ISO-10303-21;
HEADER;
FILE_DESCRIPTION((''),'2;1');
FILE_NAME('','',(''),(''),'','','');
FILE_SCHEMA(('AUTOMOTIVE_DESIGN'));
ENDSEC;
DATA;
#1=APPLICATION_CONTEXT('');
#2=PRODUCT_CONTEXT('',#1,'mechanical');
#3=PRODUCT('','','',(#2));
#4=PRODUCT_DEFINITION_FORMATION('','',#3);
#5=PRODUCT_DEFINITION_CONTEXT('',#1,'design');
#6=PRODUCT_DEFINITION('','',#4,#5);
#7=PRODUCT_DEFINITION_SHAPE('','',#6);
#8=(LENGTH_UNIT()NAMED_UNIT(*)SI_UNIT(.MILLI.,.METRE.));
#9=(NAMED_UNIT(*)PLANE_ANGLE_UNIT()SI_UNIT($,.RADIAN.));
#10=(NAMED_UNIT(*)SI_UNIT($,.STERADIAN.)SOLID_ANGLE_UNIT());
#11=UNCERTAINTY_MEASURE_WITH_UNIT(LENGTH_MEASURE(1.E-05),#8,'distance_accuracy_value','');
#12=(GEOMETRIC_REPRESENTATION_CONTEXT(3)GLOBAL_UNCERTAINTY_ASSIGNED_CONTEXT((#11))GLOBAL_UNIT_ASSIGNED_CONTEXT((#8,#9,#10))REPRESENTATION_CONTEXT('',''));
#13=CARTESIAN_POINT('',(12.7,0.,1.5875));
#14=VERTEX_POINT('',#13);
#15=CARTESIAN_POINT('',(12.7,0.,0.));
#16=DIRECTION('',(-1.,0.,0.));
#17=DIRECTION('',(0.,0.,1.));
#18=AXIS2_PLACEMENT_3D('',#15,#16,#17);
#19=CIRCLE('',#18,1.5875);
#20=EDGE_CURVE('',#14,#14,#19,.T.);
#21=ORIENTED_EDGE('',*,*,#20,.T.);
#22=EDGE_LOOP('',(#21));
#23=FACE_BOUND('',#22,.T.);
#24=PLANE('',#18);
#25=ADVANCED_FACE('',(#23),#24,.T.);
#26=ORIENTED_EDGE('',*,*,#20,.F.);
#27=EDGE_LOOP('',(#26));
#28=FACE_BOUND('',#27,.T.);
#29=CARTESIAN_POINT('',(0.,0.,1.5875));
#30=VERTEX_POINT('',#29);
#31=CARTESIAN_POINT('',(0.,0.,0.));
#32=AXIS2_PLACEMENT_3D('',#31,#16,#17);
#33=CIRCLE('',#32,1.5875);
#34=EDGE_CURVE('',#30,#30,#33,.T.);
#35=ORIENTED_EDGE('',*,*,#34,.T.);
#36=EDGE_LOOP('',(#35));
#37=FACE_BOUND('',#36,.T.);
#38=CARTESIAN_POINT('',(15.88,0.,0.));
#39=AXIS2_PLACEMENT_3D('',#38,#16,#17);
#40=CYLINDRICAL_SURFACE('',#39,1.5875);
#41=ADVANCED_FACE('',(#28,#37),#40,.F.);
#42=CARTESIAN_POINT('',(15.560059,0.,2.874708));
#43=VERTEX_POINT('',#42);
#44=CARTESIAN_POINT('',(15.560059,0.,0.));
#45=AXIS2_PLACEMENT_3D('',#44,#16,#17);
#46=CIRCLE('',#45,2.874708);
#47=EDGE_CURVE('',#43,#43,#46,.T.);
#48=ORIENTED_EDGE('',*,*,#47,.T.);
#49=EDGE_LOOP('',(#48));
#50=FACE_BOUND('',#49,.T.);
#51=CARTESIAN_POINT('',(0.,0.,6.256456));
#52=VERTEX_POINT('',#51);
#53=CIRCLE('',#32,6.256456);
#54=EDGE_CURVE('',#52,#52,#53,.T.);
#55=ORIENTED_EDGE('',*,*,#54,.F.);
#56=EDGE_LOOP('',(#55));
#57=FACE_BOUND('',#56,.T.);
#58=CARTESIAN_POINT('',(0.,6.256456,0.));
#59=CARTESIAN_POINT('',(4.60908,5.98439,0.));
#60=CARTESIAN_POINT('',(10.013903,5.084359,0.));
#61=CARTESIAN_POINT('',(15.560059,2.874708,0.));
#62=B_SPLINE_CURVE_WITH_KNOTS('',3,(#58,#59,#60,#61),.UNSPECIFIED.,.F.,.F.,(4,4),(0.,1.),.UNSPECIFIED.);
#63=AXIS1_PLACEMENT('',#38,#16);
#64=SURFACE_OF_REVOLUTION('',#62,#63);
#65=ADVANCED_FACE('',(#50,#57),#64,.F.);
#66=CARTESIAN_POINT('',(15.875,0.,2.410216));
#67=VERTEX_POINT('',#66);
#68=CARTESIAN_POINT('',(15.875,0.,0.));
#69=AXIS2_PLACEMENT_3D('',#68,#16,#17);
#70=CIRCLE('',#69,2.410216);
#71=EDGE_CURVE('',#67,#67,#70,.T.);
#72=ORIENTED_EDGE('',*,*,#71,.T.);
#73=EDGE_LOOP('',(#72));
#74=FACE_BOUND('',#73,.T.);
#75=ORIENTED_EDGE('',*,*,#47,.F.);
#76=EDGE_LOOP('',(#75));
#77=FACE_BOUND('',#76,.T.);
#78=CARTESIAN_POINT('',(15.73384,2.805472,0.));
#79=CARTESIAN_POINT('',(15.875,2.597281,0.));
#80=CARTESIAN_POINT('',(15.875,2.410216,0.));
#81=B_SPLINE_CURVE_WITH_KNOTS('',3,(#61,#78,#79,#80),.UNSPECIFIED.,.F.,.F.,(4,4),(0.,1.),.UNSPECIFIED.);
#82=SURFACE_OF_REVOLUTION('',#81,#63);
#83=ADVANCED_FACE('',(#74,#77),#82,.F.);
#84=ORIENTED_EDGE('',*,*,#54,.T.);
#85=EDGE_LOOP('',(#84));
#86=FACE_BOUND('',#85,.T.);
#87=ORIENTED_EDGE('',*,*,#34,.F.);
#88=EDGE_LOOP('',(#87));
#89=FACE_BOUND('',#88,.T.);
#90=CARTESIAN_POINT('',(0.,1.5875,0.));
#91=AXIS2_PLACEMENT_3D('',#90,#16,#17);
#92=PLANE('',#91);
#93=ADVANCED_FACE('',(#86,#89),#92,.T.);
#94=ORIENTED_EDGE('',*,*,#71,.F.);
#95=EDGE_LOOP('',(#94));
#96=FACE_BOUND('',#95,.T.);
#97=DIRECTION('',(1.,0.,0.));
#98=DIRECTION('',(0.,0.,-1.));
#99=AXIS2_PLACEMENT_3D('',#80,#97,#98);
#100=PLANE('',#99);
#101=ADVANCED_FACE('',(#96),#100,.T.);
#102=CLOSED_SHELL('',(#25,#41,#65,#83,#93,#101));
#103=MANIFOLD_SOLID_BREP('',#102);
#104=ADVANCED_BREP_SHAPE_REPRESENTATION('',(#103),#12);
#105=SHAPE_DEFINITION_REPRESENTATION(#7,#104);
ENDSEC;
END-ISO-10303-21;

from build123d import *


with BuildPart() as part:
    # Esboço1 → Revolução1 (revolve)
    with BuildSketch(Plane(origin=(0, 0, 0), x_dir=(-1, 0, 0), z_dir=(0, 0, -1)), mode=Mode.PRIVATE) as revolu_o1_sk:
        with BuildLine():
            Line((-15.875, 2.410215906), (-15.875, 0))
            Line((-15.875, 0), (-12.7, 0))
            Line((-12.7, 0), (-12.7, 1.5875))
            Line((-12.7, 1.5875), (-1.7e-08, 1.5875))
            Line((-1.7e-08, 1.5875), (-1.7e-08, 6.256455548))
            add(Edge.make_bspline(
                [(-1.7e-08, 6.256455548), (-4.609079606, 5.984390164), (-10.013903274, 5.084359418), (-15.560059016, 2.874708285)],
                knots=[0, 0, 0, 0, 1, 1, 1, 1], degree=3))
            add(Edge.make_bspline(
                [(-15.875, 2.410215906), (-15.875000006, 2.597281252), (-15.733839869, 2.80547203), (-15.560059016, 2.874708285)],
                knots=[0, 0, 0, 0, 1, 1, 1, 1], degree=3))
        make_face()
    revolve(revolu_o1_sk.sketch.rotate(Axis((15.880000012, 0, 0), (-1, 0, 0)), 270), axis=Axis((15.880000012, 0, 0), (-1, 0, 0)))


solid = part.part
